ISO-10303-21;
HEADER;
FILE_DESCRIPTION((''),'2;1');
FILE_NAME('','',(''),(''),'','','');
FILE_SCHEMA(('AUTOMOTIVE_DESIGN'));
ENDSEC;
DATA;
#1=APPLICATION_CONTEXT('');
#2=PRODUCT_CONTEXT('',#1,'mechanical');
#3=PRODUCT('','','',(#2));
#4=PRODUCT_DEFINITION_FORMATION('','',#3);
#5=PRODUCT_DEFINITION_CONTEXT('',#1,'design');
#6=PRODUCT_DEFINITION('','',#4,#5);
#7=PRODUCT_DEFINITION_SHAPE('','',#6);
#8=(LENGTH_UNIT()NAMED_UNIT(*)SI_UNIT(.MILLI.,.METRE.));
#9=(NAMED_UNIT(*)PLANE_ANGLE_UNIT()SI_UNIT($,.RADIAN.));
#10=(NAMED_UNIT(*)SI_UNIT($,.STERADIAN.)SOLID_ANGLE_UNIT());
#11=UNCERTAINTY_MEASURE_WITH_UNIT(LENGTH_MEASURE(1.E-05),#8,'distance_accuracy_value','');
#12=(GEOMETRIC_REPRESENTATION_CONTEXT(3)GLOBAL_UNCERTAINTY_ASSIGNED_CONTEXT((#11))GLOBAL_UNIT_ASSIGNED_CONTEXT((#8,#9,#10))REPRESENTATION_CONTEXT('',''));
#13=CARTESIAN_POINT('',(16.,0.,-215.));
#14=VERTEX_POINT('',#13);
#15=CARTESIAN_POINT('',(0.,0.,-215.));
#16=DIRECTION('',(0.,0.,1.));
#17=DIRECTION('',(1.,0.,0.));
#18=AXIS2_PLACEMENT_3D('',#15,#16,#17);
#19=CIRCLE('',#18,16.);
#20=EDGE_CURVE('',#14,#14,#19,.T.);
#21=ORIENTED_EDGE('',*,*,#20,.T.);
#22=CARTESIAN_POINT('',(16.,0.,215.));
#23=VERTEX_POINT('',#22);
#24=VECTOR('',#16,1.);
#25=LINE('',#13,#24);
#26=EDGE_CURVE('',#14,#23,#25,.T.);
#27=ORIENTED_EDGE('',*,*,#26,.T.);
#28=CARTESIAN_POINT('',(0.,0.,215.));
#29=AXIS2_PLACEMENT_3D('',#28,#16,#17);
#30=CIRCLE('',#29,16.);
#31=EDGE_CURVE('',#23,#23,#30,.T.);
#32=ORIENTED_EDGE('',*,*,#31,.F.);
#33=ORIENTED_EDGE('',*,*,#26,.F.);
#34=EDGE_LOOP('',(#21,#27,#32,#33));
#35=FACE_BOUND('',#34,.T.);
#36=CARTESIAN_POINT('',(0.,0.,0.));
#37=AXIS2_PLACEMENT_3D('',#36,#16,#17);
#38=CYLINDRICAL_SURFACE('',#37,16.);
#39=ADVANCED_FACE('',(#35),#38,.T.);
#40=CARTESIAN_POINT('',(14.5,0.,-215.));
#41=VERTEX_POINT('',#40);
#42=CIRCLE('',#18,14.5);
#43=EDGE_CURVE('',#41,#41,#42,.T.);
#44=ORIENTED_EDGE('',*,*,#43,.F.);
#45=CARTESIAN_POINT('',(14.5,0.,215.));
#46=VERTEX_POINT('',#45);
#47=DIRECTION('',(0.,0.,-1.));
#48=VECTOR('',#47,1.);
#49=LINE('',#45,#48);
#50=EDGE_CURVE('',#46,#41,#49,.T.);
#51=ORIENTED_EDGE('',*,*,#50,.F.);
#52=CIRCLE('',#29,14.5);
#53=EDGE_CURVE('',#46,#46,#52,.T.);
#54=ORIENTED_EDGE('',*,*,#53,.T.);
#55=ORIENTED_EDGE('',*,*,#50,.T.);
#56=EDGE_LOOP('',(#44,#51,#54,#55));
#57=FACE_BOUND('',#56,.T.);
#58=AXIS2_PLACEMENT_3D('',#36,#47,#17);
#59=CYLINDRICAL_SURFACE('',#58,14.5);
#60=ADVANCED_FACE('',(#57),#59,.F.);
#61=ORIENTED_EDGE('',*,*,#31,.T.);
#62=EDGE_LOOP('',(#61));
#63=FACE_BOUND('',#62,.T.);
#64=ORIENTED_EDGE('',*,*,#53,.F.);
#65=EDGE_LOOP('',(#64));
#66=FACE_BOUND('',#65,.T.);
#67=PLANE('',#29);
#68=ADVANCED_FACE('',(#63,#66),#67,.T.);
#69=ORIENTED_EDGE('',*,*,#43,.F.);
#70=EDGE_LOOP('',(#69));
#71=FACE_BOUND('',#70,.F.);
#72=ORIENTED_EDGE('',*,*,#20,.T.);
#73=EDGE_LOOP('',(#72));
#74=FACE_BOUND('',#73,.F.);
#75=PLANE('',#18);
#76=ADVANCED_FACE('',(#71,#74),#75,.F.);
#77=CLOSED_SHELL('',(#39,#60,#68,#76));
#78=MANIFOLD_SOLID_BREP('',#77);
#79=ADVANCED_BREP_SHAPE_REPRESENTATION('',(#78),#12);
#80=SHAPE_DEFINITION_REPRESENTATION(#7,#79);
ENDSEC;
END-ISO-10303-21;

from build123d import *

# Parameters (mm, degrees)
SKETCH_1_R      = 16
SKETCH_1_R_2    = 14.5
EXTRUDE_1_DEPTH = 215


with BuildPart() as part:
    # 草图1 → 凸台-拉伸1 (new body, symmetric)
    with BuildSketch(Plane.XY):
        Circle(SKETCH_1_R)
        Circle(SKETCH_1_R_2, mode=Mode.SUBTRACT)
    extrude(amount=EXTRUDE_1_DEPTH, both=True)


solid = part.part
